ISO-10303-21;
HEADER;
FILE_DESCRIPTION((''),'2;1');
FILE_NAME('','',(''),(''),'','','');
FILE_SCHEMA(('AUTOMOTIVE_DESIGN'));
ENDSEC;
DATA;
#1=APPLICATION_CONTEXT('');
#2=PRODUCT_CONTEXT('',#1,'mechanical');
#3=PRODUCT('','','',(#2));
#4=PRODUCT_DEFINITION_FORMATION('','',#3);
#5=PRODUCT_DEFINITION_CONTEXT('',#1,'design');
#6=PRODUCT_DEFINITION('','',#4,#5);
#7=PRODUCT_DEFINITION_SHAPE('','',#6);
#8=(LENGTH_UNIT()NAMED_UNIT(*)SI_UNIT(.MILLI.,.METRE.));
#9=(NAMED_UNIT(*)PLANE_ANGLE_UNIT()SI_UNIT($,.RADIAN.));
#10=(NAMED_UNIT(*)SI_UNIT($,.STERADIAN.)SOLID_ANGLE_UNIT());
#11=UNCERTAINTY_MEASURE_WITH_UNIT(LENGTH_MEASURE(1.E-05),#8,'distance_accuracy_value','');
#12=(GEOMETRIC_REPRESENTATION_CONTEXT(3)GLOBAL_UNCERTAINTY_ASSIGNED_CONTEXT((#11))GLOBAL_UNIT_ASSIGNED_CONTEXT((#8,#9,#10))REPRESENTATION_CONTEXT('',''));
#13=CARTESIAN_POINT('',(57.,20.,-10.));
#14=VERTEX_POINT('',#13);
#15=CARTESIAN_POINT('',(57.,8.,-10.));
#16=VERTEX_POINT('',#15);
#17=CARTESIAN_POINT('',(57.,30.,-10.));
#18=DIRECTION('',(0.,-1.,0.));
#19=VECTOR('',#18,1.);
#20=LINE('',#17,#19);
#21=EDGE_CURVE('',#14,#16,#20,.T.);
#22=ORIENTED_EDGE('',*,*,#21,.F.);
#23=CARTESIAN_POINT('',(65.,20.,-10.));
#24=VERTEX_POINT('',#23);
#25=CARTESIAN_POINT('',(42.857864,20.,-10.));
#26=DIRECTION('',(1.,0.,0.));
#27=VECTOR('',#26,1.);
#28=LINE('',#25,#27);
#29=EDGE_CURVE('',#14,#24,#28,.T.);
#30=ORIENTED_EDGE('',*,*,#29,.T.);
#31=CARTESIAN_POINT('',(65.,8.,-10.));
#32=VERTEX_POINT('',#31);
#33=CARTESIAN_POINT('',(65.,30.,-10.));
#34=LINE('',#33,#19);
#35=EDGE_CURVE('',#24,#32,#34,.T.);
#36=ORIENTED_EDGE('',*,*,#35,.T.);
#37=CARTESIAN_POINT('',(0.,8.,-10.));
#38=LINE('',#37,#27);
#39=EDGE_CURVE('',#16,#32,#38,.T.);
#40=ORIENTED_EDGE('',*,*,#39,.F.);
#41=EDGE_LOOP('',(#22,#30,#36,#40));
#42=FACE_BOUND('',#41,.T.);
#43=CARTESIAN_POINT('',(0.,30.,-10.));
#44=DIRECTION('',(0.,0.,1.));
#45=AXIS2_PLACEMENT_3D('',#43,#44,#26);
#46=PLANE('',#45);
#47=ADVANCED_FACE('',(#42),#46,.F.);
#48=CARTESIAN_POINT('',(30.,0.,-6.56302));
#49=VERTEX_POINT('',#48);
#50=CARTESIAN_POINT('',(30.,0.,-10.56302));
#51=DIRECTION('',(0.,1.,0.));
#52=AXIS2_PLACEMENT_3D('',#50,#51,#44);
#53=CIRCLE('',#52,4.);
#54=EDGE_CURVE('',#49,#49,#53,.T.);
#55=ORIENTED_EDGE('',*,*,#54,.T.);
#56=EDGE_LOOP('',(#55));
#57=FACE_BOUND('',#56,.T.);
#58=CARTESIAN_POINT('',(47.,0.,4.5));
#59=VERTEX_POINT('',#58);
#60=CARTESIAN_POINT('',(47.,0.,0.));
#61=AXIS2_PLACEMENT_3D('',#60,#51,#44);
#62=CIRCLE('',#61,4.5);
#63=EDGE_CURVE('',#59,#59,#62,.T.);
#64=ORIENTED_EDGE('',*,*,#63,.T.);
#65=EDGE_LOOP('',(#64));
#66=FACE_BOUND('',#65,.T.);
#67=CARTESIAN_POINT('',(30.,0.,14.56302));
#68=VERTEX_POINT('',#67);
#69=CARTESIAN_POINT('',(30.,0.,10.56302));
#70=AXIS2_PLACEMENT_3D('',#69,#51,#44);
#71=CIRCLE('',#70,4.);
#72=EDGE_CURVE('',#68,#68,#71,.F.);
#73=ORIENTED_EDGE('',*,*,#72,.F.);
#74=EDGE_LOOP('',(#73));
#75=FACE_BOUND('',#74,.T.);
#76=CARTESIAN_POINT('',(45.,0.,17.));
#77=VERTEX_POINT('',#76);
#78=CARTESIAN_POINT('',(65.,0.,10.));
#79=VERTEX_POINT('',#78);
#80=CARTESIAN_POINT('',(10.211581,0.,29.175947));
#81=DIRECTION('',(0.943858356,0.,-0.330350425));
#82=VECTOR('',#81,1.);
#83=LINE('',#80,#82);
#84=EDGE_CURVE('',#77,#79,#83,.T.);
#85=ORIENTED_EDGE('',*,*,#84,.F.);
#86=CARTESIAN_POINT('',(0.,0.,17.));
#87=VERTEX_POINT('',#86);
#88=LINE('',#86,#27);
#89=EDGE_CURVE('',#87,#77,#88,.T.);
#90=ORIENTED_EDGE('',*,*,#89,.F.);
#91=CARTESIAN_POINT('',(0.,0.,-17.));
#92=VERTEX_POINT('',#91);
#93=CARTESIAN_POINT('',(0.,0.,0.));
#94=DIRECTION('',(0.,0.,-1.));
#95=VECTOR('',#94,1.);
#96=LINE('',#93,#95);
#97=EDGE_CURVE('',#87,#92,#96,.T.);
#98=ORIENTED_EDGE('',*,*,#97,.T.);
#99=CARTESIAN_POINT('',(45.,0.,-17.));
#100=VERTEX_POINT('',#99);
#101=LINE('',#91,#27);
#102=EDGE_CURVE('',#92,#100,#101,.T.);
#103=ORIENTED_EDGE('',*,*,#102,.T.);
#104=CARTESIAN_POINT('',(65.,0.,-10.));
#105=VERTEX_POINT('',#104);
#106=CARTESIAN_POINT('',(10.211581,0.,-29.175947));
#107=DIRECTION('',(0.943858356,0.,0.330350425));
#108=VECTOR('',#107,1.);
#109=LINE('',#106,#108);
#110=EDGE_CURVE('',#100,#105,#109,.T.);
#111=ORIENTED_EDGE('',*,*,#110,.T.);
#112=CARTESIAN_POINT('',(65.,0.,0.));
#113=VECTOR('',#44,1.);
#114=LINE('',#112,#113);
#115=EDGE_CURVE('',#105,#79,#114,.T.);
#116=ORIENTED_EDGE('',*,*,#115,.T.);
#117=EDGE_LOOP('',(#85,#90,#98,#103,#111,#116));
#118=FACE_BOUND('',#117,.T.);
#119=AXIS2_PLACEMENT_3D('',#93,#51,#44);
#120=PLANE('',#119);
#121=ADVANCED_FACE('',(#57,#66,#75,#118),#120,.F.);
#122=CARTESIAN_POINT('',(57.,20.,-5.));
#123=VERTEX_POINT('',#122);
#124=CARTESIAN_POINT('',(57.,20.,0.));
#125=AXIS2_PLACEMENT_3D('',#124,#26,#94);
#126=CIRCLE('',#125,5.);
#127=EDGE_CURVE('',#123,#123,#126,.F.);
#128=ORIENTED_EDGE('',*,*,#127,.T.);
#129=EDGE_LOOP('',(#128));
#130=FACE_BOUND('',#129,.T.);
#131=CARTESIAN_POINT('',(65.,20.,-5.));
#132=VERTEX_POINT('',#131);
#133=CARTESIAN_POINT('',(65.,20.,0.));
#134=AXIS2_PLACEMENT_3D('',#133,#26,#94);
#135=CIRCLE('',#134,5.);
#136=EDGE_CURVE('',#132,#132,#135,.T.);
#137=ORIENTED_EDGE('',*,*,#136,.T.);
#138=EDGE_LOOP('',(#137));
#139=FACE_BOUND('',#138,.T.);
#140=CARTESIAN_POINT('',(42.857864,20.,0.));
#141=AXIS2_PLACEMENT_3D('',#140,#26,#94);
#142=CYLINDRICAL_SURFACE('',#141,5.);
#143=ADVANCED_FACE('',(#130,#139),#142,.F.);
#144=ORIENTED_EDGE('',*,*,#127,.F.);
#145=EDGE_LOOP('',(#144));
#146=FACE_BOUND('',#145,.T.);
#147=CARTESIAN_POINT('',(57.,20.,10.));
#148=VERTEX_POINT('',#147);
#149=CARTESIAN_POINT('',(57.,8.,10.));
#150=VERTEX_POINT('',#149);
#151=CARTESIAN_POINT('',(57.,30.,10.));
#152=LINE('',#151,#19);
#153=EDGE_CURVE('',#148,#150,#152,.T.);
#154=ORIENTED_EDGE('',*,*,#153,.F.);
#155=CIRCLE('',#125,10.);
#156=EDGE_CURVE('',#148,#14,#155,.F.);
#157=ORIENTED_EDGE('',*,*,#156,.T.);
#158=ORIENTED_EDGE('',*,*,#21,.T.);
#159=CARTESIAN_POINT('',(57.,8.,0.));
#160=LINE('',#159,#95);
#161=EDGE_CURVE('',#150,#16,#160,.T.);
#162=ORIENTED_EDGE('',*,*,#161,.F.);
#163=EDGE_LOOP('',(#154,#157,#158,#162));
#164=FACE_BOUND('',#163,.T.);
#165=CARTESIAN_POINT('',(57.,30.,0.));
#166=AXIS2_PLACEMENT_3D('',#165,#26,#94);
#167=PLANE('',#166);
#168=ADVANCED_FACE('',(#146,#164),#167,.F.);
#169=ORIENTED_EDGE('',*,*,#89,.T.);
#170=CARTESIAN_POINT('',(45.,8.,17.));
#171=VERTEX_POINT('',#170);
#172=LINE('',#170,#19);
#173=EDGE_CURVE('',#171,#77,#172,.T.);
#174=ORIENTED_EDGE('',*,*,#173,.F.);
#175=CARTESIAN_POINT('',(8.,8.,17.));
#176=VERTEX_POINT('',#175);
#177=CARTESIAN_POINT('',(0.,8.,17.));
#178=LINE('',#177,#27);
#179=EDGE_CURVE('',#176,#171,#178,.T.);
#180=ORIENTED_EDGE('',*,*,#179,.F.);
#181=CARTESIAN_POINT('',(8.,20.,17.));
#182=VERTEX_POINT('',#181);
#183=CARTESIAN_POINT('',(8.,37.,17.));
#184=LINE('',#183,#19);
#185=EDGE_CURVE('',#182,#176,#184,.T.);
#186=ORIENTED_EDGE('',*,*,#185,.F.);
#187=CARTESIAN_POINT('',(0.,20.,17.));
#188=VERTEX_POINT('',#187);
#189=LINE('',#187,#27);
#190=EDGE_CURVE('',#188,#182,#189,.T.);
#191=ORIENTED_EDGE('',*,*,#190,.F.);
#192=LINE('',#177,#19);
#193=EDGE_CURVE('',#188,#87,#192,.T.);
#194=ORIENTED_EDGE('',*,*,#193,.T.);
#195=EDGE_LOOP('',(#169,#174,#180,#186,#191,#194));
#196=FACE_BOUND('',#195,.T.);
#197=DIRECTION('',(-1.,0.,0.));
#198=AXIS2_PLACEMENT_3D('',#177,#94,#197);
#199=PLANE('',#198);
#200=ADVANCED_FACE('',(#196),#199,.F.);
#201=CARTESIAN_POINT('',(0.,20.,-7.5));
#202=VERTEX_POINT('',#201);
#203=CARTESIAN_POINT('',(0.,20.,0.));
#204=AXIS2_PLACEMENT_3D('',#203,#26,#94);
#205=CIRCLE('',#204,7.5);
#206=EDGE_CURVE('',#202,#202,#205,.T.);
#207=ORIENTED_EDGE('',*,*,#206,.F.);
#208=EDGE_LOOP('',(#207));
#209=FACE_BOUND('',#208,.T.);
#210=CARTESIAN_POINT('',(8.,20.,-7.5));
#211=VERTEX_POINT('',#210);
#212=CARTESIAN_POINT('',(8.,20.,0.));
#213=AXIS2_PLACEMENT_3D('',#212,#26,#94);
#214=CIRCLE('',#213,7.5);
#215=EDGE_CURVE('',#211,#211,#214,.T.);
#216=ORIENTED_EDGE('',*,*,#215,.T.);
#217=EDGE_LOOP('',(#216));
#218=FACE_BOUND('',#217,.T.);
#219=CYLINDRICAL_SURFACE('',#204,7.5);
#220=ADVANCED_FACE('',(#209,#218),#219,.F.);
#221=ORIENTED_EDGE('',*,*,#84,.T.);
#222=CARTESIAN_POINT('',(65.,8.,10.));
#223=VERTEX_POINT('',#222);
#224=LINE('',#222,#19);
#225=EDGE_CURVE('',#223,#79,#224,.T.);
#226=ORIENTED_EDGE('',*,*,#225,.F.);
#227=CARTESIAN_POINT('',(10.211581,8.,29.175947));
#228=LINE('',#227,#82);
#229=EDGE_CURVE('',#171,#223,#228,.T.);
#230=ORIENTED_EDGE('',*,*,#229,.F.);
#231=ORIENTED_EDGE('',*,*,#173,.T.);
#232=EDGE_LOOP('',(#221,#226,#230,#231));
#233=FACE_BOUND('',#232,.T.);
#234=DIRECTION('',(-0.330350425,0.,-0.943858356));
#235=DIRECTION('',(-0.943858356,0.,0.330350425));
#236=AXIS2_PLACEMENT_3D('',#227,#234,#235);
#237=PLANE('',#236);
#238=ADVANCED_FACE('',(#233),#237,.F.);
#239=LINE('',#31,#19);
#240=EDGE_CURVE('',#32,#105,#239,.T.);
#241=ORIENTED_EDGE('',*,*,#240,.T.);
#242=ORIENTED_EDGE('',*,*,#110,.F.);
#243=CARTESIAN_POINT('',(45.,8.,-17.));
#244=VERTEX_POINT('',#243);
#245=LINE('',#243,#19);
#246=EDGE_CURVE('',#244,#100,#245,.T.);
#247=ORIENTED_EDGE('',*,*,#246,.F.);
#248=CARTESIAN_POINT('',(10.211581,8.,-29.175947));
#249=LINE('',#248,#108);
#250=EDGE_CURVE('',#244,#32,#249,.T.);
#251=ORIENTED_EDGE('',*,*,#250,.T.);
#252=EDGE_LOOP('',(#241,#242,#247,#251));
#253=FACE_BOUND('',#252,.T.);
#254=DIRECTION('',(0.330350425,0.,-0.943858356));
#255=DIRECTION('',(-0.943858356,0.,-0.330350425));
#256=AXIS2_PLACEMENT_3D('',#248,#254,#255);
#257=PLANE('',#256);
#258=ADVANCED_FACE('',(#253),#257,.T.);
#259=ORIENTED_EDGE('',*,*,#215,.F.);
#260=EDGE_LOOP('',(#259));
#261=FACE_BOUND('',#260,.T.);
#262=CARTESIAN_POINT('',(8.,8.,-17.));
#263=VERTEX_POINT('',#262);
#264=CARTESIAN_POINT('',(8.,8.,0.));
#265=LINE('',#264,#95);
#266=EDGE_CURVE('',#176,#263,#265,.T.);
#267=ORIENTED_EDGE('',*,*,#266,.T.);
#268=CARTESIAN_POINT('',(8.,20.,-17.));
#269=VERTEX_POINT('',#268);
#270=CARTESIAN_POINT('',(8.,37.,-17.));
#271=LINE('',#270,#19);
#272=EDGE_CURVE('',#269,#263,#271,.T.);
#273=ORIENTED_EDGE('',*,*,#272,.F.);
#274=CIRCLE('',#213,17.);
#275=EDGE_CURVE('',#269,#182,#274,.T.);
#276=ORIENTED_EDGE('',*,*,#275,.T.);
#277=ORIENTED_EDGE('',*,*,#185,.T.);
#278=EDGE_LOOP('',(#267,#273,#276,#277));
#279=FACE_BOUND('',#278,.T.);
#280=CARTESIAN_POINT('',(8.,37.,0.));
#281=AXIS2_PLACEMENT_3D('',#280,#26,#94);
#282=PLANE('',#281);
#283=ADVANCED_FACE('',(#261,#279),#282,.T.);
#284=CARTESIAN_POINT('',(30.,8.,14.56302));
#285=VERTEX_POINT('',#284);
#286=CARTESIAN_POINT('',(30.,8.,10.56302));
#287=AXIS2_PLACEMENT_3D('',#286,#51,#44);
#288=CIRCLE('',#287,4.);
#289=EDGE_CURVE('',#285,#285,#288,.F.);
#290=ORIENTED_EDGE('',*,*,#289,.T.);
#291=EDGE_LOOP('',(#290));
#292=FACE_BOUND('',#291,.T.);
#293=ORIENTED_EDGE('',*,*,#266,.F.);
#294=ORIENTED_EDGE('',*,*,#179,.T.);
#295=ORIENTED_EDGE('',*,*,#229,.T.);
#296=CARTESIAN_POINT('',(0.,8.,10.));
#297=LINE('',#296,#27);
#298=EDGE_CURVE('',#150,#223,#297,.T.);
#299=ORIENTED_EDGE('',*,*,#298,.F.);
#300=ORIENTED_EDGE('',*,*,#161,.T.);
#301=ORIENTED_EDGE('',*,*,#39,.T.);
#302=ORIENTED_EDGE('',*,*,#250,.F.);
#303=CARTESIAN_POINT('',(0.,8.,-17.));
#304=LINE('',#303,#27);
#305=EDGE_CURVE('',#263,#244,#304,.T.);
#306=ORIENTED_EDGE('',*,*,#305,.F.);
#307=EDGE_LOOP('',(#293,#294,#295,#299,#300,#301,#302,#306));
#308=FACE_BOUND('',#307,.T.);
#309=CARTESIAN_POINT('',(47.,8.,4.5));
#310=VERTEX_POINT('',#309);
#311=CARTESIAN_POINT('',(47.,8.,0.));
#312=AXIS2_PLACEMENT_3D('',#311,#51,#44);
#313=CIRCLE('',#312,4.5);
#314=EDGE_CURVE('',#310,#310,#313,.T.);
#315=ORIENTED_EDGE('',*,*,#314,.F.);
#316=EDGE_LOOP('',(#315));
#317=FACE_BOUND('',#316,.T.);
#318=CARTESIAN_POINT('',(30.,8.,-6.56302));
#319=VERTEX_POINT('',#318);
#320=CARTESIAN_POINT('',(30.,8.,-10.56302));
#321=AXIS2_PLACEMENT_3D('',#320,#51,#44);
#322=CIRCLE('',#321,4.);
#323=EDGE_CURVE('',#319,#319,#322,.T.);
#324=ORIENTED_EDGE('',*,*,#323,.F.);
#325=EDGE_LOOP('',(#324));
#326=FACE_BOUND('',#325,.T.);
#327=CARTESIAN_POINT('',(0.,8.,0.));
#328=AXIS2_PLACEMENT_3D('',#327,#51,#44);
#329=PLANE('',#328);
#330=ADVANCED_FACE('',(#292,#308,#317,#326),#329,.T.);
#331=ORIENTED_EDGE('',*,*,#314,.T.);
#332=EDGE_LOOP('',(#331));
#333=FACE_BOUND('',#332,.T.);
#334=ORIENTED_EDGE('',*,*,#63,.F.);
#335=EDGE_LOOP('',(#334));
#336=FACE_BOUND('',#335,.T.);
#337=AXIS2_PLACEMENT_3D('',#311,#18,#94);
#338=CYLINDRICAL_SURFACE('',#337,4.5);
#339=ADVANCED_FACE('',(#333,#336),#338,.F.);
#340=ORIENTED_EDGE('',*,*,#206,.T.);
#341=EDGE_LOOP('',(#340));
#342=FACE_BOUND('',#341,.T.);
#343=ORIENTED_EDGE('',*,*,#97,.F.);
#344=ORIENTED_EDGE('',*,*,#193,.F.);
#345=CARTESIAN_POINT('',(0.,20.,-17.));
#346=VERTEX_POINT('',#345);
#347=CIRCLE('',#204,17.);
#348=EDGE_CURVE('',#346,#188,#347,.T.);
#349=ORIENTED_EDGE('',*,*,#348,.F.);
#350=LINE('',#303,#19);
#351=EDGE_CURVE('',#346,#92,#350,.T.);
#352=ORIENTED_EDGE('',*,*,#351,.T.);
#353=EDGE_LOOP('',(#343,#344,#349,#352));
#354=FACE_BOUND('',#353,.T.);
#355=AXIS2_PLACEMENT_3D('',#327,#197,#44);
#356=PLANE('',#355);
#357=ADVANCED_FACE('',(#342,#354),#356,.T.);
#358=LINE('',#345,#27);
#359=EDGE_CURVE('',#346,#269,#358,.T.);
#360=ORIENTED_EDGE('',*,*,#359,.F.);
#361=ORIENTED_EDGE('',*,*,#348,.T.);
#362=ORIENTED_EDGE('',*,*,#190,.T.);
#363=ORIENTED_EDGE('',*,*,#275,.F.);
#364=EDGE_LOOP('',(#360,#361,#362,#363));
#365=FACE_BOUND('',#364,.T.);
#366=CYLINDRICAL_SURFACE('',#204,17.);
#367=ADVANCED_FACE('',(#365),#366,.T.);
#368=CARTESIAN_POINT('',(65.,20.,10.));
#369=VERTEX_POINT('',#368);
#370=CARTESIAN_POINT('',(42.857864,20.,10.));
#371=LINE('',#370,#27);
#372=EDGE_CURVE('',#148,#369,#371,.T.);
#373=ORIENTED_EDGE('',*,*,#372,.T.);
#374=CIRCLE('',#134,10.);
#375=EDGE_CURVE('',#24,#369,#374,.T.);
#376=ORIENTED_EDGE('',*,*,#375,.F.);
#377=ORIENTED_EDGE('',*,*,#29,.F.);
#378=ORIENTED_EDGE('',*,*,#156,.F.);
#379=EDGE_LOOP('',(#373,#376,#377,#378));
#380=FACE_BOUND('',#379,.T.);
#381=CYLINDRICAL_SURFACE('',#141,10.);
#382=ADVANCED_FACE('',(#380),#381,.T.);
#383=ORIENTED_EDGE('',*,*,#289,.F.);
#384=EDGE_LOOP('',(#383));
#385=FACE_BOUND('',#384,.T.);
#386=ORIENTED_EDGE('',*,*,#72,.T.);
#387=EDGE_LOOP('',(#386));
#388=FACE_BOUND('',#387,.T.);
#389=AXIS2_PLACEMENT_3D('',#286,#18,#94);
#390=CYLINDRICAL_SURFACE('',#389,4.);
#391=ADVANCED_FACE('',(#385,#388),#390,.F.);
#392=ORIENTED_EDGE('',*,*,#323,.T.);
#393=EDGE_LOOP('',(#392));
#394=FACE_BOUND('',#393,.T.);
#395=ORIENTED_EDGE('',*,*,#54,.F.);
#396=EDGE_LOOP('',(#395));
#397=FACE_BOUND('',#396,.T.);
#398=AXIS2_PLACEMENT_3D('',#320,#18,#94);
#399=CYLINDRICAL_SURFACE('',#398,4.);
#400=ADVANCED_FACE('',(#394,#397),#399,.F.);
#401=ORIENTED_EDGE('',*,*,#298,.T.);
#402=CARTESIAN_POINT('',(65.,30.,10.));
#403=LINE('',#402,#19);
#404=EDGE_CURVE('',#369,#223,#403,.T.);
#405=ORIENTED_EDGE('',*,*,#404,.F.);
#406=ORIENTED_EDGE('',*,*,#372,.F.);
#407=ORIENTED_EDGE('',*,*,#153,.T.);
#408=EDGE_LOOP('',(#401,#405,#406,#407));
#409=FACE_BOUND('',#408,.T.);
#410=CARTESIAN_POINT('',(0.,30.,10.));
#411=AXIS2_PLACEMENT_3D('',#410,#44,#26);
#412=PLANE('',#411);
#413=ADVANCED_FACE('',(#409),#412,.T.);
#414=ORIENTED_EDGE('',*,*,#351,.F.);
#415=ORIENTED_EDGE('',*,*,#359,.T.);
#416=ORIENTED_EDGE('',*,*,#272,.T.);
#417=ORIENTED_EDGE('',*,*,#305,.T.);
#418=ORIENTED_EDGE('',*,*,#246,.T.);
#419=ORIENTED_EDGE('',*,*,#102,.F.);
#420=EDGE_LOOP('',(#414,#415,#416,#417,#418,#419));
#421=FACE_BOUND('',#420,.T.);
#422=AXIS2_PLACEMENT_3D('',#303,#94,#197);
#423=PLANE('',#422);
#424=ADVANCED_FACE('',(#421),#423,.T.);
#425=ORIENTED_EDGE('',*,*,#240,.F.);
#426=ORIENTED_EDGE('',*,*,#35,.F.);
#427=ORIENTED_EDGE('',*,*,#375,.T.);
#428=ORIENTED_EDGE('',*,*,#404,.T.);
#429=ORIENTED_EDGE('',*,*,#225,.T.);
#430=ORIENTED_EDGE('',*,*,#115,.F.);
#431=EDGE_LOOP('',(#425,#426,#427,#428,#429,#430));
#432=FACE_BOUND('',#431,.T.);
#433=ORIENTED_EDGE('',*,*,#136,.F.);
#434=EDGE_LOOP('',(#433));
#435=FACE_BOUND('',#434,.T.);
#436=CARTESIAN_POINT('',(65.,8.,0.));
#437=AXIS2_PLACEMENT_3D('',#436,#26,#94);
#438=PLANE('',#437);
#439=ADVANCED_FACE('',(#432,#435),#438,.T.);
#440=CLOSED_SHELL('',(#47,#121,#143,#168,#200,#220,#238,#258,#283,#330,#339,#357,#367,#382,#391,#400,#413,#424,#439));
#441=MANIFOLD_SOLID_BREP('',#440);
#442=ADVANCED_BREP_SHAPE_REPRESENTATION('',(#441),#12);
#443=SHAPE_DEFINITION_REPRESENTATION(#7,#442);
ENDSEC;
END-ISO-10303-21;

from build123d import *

# Parameters (mm, degrees)
SKETCH1_R           = 4
SKETCH1_R_2         = 4.5
SKETCH1_W           = 8
SKETCH1_H           = 34
SKETCH1_H_2         = 20
BOSS_EXTRUDE1_DEPTH = 8
SKETCH1_4_W         = 8
SKETCH1_4_H         = 34
BOSS_EXTRUDE2_DEPTH = 37
SKETCH1_5_W         = 8
SKETCH1_5_H         = 20
BOSS_EXTRUDE3_DEPTH = 30
SKETCH4_R           = 5
CUT_EXTRUDE1_DEPTH  = 8
SKETCH5_R           = 7.5
CUT_EXTRUDE2_DEPTH  = 71.049982156


with BuildPart() as part:
    # Sketch1 → Boss-Extrude1 (new body)
    # profile 1 of 3: a face of its own
    with BuildSketch(Plane(origin=(0, 0, 0), x_dir=(1, 0, 0), z_dir=(0, 1, 0))):
        Polygon((8, 17), (8, -17), (45, -17), (65, -10), (57, -10), (57, 10), (65, 10), (45, 17), align=None)
        with Locations(Location((30, -10.563020066, 0), (0, 0, 270))):
            Circle(SKETCH1_R, mode=Mode.SUBTRACT)
        with Locations(Location((30, 10.563020066, 0), (0, 0, 270))):
            Circle(SKETCH1_R, mode=Mode.SUBTRACT)
        with Locations(Location((47, 0, 0), (0, 0, 270))):
            Circle(SKETCH1_R_2, mode=Mode.SUBTRACT)
    # profile 2 of 3: a face of its own
    with BuildSketch(Plane(origin=(0, 0, 0), x_dir=(1, 0, 0), z_dir=(0, 1, 0))):
        with Locations((4, 0)):
            Rectangle(SKETCH1_W, SKETCH1_H)
    # profile 3 of 3: a face of its own
    with BuildSketch(Plane(origin=(0, 0, 0), x_dir=(1, 0, 0), z_dir=(0, 1, 0))):
        with Locations((61, 0)):
            Rectangle(SKETCH1_W, SKETCH1_H_2)
    extrude(amount=BOSS_EXTRUDE1_DEPTH)

    # Sketch1<4> → Boss-Extrude2 (add)
    with BuildSketch(Plane(origin=(0, 0, 0), x_dir=(1, 0, 0), z_dir=(0, 1, 0))):
        with Locations((4, 0)):
            Rectangle(SKETCH1_4_W, SKETCH1_4_H)
    extrude(amount=BOSS_EXTRUDE2_DEPTH)

    # Sketch1<5> → Boss-Extrude3 (add)
    with BuildSketch(Plane(origin=(0, 0, 0), x_dir=(1, 0, 0), z_dir=(0, 1, 0))):
        with Locations((61, 0)):
            Rectangle(SKETCH1_5_W, SKETCH1_5_H)
    extrude(amount=BOSS_EXTRUDE3_DEPTH)

    # Sketch4 → Cut-Extrude1 (cut)
    with BuildSketch(Plane(origin=(65, 0, 0), x_dir=(0, 0, -1), z_dir=(1, 0, 0))):
        with BuildLine():
            ThreePointArc((0, 30), (7.071067812, 27.071067812), (10, 20))
            Line((10, 20), (10, 30))
            Line((10, 30), (0, 30))
        make_face()
        with BuildLine():
            ThreePointArc((-10, 20), (-7.071067812, 27.071067812), (0, 30))
            Line((0, 30), (-10, 30))
            Line((-10, 30), (-10, 20))
        make_face()
        with Locations((0, 20)):
            Circle(SKETCH4_R)
    extrude(amount=-CUT_EXTRUDE1_DEPTH, mode=Mode.SUBTRACT)

    # Sketch5 → Cut-Extrude2 (cut, through all)
    with BuildSketch(Plane(origin=(8, 0, 0), x_dir=(0, 0, -1), z_dir=(1, 0, 0))):
        with BuildLine():
            ThreePointArc((-17, 20), (-12.02081528, 32.02081528), (0, 37))
            Line((0, 37), (-17, 37))
            Line((-17, 37), (-17, 20))
        make_face()
        with BuildLine():
            ThreePointArc((0, 37), (12.02081528, 32.02081528), (17, 20))
            Line((17, 20), (17, 37))
            Line((17, 37), (0, 37))
        make_face()
        with Locations((0, 20)):
            Circle(SKETCH5_R)
    extrude(amount=-CUT_EXTRUDE2_DEPTH, mode=Mode.SUBTRACT)


solid = part.part
